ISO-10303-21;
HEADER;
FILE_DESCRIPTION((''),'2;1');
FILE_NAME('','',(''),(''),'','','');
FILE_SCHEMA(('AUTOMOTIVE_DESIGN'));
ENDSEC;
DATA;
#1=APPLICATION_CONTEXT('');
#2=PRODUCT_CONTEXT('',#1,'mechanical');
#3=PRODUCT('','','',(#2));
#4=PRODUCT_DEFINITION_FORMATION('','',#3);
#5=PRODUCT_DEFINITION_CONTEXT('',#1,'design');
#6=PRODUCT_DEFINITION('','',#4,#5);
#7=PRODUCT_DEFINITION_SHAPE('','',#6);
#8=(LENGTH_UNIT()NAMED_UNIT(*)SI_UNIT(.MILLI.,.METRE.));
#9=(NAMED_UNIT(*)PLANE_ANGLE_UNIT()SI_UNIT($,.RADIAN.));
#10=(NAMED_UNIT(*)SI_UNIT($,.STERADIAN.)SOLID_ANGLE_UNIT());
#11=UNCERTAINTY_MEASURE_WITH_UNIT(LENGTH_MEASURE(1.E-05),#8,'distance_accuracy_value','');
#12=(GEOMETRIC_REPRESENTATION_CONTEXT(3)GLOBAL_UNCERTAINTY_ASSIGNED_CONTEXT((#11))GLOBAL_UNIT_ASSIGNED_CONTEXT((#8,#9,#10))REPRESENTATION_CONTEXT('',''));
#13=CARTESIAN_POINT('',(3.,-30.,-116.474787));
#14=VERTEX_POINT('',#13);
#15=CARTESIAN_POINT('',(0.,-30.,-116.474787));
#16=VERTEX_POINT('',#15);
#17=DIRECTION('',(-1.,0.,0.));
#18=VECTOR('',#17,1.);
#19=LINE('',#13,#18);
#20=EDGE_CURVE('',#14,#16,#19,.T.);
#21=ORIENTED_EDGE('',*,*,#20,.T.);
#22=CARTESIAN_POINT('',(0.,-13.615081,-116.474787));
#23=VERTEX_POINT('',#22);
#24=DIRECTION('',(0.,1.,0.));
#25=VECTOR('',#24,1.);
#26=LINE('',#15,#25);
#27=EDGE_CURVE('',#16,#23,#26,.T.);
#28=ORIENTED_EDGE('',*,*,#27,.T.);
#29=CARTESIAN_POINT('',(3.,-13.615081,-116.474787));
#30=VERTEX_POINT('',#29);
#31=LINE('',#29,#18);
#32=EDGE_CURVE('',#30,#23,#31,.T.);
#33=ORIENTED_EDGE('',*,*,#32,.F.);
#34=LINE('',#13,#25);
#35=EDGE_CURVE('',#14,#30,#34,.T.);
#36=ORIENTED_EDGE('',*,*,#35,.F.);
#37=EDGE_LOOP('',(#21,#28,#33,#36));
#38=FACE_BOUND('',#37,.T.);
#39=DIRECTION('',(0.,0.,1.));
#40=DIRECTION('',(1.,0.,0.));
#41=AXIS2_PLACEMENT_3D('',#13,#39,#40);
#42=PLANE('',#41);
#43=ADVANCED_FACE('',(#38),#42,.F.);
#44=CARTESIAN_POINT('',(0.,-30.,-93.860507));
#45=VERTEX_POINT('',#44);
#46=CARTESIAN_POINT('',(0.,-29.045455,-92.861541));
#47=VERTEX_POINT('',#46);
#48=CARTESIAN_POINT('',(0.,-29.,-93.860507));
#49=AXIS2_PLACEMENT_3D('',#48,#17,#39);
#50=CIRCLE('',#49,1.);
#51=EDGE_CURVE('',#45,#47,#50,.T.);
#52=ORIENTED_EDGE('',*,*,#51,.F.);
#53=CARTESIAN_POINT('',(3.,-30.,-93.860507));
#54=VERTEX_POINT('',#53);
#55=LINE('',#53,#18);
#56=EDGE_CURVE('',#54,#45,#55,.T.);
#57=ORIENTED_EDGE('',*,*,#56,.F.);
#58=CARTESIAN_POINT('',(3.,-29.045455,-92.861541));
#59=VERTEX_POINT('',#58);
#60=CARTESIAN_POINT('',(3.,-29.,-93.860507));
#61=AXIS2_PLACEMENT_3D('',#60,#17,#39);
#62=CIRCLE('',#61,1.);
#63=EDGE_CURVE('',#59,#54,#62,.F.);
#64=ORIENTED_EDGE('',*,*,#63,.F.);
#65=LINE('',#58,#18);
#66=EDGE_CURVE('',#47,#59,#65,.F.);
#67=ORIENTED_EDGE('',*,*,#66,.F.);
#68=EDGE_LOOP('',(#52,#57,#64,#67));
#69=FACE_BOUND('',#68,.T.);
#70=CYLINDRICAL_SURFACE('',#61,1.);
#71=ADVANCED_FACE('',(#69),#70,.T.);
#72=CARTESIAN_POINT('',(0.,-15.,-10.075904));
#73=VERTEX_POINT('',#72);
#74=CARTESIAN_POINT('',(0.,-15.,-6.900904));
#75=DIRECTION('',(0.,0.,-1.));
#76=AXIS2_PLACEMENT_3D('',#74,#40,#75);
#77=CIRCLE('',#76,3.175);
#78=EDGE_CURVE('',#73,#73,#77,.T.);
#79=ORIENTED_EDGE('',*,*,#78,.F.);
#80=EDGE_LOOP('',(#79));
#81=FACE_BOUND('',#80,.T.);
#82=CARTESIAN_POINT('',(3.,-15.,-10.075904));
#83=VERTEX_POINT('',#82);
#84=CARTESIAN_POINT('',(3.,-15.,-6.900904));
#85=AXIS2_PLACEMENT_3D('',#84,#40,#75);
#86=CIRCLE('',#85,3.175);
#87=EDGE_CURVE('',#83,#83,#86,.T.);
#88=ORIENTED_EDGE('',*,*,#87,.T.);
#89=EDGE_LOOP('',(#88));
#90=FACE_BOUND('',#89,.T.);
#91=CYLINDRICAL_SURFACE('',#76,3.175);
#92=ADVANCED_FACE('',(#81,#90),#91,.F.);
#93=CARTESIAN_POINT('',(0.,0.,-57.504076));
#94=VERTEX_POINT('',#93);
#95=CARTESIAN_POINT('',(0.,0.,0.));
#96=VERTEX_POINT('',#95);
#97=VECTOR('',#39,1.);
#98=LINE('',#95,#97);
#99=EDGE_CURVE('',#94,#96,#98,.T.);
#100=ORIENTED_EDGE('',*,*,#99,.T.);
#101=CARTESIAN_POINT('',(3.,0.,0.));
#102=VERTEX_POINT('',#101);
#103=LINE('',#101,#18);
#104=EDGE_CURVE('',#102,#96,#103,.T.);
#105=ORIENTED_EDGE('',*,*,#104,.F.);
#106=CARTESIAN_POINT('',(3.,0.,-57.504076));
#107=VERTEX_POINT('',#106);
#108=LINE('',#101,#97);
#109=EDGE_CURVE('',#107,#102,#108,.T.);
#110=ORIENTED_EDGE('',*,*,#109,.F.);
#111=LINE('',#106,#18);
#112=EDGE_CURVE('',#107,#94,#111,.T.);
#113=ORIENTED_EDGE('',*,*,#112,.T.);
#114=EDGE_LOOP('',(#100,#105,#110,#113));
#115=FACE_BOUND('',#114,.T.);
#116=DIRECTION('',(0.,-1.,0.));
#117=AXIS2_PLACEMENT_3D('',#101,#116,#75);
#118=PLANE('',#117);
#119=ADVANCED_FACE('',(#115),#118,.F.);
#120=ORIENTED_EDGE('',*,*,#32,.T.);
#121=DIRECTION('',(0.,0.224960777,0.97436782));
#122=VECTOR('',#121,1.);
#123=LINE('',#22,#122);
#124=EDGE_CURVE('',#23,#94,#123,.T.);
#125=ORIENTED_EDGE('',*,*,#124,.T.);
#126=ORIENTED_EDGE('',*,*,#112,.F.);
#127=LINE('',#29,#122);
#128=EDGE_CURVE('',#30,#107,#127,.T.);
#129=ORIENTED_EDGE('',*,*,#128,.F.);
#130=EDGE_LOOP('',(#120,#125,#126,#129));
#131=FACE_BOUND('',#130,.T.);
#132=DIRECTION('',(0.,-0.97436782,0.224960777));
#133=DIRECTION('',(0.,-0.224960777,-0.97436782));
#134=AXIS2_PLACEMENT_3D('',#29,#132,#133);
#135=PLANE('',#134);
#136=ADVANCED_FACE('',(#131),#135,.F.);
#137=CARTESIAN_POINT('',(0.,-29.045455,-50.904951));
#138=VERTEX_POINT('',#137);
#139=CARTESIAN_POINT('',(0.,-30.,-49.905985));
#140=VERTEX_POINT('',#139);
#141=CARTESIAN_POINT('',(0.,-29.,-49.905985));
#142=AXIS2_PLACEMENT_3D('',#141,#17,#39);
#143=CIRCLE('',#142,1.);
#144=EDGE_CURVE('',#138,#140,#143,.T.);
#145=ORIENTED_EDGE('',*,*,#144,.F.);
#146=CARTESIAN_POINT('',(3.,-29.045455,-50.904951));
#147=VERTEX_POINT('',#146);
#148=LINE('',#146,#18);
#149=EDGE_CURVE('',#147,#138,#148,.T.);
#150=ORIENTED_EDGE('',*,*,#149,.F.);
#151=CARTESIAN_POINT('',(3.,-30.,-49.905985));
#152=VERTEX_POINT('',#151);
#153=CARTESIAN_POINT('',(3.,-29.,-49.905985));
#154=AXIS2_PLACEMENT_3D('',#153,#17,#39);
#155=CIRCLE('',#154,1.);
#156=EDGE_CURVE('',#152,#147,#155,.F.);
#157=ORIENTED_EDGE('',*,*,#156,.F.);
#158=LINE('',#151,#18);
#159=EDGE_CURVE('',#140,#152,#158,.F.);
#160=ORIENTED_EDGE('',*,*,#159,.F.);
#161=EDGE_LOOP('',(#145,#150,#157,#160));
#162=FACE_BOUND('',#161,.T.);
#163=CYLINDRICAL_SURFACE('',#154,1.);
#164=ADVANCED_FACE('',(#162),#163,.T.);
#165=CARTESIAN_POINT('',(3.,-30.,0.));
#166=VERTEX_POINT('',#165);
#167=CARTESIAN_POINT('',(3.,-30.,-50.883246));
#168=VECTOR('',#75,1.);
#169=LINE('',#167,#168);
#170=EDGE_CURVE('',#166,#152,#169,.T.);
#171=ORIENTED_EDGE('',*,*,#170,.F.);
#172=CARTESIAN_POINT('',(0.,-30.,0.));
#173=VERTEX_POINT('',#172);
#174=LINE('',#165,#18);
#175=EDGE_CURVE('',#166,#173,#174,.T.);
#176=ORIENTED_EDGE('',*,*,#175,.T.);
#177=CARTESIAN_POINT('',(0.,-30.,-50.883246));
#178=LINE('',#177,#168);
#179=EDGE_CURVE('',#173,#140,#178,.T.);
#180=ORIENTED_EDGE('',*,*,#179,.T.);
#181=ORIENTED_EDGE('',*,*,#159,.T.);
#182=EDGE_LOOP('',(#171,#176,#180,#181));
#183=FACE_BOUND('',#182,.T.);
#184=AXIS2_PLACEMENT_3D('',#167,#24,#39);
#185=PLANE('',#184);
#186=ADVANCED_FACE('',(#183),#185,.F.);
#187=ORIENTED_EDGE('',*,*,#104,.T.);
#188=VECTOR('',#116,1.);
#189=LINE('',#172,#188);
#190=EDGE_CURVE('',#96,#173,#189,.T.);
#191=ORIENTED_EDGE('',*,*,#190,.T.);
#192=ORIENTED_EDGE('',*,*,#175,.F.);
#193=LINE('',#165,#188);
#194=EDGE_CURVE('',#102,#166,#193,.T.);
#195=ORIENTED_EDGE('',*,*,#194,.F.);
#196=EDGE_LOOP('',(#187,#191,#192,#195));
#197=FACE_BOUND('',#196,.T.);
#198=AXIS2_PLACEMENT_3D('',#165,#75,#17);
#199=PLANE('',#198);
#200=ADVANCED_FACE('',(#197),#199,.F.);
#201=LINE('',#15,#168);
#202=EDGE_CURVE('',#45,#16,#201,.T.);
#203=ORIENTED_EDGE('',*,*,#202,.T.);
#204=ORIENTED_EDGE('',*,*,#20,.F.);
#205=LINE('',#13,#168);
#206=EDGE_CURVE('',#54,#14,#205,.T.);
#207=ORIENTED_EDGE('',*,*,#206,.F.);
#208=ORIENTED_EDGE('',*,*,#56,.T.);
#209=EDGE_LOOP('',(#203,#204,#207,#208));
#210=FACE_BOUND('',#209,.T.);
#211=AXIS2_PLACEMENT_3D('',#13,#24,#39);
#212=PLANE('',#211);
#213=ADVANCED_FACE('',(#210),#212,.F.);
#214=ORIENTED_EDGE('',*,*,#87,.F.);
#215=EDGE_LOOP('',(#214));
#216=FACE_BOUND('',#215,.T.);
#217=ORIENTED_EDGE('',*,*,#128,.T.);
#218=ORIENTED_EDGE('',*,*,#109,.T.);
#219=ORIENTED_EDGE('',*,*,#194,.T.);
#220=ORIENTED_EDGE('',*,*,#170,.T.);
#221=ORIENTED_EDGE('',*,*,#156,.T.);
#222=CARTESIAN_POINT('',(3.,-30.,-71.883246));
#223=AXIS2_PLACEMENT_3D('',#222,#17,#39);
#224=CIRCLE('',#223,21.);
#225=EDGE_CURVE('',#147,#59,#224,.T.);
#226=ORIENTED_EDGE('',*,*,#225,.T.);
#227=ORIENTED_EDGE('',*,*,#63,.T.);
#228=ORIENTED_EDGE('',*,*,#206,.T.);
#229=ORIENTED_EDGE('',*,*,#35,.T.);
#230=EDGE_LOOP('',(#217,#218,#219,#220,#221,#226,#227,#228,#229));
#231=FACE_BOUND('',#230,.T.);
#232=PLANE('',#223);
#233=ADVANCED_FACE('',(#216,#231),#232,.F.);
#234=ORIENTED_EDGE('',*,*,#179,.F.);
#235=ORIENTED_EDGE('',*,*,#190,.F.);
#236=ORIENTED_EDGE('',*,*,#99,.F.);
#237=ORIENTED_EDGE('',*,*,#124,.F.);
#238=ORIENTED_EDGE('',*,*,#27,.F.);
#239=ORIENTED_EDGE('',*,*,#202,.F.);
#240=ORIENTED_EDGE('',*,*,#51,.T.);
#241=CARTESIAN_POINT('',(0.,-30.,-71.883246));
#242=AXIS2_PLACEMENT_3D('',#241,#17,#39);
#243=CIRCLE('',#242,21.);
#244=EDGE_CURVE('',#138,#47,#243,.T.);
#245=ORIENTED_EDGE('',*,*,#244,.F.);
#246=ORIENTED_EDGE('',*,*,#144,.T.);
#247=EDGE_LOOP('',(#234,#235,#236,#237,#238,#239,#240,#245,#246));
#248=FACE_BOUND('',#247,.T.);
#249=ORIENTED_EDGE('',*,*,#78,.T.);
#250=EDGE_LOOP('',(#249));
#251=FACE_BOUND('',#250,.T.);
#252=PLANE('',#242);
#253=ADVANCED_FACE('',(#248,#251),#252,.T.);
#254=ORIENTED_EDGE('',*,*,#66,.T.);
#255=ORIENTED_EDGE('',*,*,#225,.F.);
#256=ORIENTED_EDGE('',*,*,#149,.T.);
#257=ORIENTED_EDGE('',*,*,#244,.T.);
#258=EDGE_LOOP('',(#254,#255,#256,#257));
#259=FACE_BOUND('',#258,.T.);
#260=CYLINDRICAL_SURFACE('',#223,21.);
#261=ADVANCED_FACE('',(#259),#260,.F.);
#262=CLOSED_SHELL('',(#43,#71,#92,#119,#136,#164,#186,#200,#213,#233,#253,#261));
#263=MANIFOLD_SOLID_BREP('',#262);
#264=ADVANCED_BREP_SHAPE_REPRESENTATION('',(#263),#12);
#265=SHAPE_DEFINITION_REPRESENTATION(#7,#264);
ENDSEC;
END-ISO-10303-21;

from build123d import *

# Parameters (mm, degrees)
BOSS_EXTRUDE1_DEPTH = 3
SKETCH2_R           = 3.175
CUT_EXTRUDE1_DEPTH  = 4
FILLET2_R           = 1


with BuildPart() as part:
    # Sketch1 → Boss-Extrude1 (new body)
    with BuildSketch(Plane(origin=(0, 0, 0), x_dir=(0, 0, -1), z_dir=(1, 0, 0))):
        with BuildLine():
            Line((0, 0), (57.50407585, 0))
            Line((57.50407585, 0), (116.474786715, -13.615081165))
            Line((116.474786715, -13.615081165), (116.474786715, -30))
            Line((116.474786715, -30), (92.883246032, -30))
            ThreePointArc((92.883246032, -30), (71.883246032, -9), (50.883246032, -30))
            Line((50.883246032, -30), (0, -30))
            Line((0, -30), (0, 0))
        make_face()
    extrude(amount=BOSS_EXTRUDE1_DEPTH)

    # Sketch2 → Cut-Extrude1 (cut, through all)
    with BuildSketch(Plane(origin=(3, 0, 0), x_dir=(0, 0, -1), z_dir=(1, 0, 0))):
        with Locations((6.900903962, -15)):
            Circle(SKETCH2_R)
    extrude(amount=-CUT_EXTRUDE1_DEPTH, mode=Mode.SUBTRACT)

    # Fillet2
    fillet2_edges = [part.edges().sort_by_distance(p)[0] for p in [
        (1.5, -30, -92.883246032),
        (1.5, -30, -50.883246032),
    ]]
    fillet(fillet2_edges, radius=FILLET2_R)


solid = part.part
